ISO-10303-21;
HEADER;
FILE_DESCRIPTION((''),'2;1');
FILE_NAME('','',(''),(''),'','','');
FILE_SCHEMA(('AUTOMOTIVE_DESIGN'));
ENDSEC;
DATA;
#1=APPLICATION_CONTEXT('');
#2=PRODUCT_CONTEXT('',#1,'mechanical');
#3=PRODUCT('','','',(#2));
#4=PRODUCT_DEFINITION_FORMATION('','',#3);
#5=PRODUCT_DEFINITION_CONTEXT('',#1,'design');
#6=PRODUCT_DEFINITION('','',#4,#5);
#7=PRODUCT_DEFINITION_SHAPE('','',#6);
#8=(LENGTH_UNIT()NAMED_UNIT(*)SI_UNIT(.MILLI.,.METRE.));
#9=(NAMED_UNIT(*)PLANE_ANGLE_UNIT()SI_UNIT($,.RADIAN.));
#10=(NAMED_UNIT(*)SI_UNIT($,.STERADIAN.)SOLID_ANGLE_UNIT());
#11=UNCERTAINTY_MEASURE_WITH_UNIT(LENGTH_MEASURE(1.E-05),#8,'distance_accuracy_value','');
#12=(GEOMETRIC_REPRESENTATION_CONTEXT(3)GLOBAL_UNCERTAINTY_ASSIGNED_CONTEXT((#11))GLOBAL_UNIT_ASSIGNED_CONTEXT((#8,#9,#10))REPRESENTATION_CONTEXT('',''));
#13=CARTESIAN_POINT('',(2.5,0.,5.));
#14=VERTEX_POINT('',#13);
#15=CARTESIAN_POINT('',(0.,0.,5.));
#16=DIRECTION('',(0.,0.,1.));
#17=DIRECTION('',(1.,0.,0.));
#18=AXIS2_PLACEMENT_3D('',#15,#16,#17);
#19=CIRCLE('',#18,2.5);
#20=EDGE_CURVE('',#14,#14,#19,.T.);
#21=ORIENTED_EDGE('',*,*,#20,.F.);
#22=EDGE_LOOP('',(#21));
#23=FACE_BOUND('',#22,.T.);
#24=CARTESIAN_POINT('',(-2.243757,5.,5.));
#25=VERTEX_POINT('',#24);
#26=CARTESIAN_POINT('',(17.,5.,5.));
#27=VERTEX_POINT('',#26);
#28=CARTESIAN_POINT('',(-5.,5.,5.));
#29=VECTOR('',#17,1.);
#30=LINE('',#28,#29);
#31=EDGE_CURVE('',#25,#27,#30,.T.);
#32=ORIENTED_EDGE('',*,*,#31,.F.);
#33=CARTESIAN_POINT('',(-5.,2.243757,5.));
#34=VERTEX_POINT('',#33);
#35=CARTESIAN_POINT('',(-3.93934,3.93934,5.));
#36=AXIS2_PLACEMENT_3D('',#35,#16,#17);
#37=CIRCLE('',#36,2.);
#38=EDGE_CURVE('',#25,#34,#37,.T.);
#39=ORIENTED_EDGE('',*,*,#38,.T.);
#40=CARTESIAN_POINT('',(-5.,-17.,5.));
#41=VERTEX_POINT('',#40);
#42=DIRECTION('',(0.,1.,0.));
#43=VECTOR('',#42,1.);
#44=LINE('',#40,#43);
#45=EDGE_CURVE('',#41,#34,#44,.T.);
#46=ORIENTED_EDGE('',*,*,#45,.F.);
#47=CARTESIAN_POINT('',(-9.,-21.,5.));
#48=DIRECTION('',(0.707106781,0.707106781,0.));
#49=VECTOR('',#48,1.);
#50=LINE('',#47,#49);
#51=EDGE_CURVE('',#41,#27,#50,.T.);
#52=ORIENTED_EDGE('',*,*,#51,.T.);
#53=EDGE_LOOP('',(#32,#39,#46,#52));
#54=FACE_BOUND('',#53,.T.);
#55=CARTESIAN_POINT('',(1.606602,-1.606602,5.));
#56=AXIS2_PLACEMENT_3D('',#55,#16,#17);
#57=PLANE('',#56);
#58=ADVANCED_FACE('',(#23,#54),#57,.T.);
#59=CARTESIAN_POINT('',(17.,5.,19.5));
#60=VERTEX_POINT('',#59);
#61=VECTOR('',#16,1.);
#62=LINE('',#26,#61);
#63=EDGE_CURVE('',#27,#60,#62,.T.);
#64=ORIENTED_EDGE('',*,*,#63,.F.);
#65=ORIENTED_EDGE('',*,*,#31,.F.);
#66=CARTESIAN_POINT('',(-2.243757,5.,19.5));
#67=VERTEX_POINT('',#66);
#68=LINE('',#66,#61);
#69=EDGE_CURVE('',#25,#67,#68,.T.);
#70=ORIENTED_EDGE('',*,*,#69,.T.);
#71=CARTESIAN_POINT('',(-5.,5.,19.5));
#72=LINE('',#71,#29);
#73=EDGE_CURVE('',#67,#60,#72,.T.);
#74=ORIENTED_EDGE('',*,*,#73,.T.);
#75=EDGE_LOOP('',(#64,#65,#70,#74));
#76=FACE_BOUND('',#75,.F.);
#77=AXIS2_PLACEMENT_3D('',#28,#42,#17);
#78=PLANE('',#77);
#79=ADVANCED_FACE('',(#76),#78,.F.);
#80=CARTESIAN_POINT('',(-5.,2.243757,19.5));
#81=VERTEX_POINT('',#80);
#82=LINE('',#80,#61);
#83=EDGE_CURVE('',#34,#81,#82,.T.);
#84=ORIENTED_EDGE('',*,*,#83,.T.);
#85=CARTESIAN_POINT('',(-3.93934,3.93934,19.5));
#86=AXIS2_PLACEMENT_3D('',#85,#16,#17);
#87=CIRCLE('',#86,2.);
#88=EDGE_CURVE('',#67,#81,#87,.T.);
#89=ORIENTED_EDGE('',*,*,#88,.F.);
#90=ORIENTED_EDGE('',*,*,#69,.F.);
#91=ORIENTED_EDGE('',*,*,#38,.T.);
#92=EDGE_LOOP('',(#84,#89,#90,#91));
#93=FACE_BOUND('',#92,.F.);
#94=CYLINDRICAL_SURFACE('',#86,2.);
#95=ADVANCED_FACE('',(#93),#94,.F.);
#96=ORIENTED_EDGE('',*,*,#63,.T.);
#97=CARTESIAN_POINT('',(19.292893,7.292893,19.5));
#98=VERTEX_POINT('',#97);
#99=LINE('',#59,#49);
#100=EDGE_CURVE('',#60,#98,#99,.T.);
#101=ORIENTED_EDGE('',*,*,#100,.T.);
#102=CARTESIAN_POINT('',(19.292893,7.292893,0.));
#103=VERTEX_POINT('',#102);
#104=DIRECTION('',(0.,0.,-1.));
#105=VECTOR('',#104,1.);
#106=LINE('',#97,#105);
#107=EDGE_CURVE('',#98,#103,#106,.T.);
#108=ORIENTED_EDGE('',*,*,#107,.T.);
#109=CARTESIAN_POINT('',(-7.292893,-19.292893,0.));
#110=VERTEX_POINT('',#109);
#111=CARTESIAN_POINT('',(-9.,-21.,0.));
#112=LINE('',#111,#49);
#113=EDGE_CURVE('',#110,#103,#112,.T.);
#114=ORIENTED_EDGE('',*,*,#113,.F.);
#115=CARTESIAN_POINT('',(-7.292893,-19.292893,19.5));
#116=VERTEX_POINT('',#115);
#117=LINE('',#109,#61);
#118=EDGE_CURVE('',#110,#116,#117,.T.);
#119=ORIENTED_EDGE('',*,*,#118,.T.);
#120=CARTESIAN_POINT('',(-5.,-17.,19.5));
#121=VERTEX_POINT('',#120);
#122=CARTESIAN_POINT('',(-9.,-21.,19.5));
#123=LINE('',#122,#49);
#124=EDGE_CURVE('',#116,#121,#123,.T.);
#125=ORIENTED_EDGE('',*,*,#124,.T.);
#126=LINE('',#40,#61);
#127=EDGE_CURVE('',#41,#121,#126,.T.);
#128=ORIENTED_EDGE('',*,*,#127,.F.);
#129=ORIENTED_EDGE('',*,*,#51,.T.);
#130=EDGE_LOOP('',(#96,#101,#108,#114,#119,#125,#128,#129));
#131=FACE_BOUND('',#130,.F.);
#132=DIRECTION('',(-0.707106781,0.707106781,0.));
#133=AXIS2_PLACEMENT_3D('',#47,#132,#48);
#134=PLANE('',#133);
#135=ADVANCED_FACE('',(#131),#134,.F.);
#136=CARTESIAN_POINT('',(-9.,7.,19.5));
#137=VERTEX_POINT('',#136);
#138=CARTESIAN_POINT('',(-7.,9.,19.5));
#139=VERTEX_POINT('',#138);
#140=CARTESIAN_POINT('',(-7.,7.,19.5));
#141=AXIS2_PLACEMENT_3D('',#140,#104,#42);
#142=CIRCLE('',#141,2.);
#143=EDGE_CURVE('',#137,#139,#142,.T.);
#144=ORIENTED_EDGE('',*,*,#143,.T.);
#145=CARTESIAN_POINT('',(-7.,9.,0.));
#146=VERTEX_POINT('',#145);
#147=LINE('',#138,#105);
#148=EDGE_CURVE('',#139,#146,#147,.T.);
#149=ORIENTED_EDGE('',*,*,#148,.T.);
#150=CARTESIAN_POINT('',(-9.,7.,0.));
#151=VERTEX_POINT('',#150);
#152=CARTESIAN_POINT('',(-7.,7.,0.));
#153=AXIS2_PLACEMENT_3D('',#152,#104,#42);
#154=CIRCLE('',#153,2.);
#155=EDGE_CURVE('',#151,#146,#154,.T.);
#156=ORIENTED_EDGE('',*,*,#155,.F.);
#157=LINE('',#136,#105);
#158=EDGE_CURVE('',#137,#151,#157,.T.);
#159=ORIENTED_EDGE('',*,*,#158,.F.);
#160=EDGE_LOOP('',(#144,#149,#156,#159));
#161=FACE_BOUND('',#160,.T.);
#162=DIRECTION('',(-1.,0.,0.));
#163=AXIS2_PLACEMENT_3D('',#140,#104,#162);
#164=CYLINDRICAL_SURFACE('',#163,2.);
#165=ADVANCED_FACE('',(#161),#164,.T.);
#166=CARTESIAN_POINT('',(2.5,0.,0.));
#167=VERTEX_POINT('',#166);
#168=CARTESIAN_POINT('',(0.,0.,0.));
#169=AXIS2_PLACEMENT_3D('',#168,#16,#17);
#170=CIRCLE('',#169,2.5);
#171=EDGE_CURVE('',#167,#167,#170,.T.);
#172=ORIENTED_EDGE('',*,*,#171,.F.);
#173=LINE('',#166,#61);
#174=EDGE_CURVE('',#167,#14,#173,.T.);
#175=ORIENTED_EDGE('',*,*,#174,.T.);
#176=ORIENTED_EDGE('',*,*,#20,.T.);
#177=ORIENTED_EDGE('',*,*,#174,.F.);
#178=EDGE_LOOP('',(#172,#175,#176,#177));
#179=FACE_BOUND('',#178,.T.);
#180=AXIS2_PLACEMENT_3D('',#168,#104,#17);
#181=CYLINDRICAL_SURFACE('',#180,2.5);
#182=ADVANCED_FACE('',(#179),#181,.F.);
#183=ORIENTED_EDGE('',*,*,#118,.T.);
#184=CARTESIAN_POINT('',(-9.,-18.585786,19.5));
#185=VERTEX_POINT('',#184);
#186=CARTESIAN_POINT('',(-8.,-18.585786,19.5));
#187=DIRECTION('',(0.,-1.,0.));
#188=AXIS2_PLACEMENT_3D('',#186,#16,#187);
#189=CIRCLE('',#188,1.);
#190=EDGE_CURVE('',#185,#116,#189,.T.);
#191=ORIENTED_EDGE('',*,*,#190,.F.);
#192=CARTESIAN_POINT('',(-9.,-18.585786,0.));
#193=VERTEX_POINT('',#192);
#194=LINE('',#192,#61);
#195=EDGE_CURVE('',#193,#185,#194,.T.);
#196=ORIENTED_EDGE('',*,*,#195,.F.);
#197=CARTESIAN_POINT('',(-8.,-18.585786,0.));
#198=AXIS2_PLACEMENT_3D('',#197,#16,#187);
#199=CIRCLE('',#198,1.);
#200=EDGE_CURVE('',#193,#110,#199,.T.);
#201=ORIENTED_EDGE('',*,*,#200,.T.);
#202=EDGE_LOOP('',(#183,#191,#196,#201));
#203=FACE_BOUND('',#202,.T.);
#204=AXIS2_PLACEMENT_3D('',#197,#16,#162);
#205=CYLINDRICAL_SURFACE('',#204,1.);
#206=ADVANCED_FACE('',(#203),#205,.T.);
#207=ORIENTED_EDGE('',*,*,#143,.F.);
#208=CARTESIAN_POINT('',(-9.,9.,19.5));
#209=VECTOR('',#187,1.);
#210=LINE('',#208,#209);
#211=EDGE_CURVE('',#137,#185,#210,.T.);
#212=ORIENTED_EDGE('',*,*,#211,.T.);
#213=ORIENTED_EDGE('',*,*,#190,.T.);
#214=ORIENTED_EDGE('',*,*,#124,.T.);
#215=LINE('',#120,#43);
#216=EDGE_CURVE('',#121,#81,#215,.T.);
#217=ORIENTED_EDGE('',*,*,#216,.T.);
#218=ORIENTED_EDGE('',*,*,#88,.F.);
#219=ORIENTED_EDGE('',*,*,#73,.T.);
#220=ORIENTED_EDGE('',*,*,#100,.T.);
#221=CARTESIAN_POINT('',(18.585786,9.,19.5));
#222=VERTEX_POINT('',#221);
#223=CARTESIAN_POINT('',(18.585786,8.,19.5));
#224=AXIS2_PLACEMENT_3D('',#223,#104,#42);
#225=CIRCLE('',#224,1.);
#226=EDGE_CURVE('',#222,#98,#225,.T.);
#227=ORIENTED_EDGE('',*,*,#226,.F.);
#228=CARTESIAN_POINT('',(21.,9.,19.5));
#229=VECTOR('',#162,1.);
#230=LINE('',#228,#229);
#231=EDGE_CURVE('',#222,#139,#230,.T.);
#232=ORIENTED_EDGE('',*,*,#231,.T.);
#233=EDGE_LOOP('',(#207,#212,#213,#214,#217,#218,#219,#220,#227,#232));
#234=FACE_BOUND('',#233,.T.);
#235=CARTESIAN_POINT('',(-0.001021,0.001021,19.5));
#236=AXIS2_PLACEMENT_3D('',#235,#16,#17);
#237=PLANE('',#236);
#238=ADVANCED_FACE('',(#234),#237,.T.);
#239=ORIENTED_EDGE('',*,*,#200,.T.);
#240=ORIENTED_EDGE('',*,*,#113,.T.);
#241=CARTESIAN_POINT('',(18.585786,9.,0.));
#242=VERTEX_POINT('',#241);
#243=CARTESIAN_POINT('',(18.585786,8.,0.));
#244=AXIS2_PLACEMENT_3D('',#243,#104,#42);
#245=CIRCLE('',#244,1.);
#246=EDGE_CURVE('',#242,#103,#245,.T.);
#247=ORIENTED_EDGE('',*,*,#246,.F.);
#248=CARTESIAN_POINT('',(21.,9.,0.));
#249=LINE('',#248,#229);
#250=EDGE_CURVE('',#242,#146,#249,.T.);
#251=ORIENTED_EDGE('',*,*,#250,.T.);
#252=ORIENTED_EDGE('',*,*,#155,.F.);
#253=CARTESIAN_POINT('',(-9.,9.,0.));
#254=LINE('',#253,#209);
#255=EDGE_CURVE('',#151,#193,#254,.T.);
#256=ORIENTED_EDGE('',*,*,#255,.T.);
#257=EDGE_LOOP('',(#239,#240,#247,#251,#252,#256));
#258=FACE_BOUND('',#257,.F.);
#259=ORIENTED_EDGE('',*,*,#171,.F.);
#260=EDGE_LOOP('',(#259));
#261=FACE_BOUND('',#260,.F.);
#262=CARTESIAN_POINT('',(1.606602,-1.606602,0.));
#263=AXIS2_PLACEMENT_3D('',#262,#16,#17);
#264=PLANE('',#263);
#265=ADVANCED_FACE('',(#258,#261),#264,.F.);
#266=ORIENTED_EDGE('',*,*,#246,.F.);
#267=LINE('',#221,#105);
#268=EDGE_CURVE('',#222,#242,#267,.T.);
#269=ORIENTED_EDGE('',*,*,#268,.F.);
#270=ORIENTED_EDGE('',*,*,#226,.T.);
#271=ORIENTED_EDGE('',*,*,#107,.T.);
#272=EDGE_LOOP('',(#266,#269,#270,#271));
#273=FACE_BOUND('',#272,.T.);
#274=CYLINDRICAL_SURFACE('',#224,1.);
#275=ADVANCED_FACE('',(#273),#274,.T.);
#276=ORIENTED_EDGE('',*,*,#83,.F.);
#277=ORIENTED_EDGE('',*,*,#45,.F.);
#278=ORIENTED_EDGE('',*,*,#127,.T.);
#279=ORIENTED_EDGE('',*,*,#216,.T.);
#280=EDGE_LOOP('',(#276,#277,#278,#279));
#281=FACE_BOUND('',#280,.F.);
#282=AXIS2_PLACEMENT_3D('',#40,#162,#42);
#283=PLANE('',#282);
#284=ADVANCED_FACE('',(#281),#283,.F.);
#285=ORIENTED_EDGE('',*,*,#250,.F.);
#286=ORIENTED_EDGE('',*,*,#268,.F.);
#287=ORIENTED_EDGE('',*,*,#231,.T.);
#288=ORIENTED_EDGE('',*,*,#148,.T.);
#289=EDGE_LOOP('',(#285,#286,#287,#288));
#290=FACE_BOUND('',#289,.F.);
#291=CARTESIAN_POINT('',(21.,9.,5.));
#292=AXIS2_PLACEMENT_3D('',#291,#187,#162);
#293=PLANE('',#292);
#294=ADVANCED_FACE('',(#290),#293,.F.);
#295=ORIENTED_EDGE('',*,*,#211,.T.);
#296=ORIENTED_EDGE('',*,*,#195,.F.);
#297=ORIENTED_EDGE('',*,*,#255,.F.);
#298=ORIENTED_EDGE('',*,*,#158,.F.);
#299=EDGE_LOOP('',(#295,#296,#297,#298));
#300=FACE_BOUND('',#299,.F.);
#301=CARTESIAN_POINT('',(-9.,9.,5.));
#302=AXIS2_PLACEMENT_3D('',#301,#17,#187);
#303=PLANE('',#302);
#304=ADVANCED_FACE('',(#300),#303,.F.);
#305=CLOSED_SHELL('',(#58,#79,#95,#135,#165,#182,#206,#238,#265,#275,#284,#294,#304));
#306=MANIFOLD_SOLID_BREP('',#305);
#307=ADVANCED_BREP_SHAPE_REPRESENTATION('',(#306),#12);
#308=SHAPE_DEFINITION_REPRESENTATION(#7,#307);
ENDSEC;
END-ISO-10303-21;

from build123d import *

# Parameters (mm, degrees)
F0_R     = 2.5
F1_DEPTH = 5
F3_DEPTH = 14.5
F4_R     = 2
F5_DEPTH = 14.5
F6_R     = 1
F7_R     = 1
F8_R     = 2


with BuildPart() as f1:
    # F0 (on Top) → F1 (new body)
    with BuildSketch(Plane.XY):
        Polygon((-9, 9), (-9, -21), (21, 9), align=None)
        Circle(F0_R, mode=Mode.SUBTRACT)
    extrude(amount=F1_DEPTH)

    # F2 (on face) → F3 (join)
    with BuildSketch(Plane.XY.offset(5)):
        Polygon((-9, 9), (-9, -21), (-5, -17), (-5, 5), (17, 5), (21, 9), align=None)
    extrude(amount=F3_DEPTH)

    # F4 (on face) → F5 (cut, through all)
    with BuildSketch(Plane.XY.offset(19.5)):
        with Locations((-3.93934, 3.93934)):
            Circle(F4_R)
    extrude(amount=-F5_DEPTH, mode=Mode.SUBTRACT)

    # F6
    f6_edges = [f1.edges().sort_by_distance(p)[0] for p in [
        (21, 9, 9.75),
    ]]
    fillet(f6_edges, radius=F6_R)

    # F7
    f7_edges = [f1.edges().sort_by_distance(p)[0] for p in [
        (-9, -21, 9.75),
    ]]
    fillet(f7_edges, radius=F7_R)

    # F8
    f8_edges = [f1.edges().sort_by_distance(p)[0] for p in [
        (-9, 9, 9.75),
    ]]
    fillet(f8_edges, radius=F8_R)


solid = f1.part
